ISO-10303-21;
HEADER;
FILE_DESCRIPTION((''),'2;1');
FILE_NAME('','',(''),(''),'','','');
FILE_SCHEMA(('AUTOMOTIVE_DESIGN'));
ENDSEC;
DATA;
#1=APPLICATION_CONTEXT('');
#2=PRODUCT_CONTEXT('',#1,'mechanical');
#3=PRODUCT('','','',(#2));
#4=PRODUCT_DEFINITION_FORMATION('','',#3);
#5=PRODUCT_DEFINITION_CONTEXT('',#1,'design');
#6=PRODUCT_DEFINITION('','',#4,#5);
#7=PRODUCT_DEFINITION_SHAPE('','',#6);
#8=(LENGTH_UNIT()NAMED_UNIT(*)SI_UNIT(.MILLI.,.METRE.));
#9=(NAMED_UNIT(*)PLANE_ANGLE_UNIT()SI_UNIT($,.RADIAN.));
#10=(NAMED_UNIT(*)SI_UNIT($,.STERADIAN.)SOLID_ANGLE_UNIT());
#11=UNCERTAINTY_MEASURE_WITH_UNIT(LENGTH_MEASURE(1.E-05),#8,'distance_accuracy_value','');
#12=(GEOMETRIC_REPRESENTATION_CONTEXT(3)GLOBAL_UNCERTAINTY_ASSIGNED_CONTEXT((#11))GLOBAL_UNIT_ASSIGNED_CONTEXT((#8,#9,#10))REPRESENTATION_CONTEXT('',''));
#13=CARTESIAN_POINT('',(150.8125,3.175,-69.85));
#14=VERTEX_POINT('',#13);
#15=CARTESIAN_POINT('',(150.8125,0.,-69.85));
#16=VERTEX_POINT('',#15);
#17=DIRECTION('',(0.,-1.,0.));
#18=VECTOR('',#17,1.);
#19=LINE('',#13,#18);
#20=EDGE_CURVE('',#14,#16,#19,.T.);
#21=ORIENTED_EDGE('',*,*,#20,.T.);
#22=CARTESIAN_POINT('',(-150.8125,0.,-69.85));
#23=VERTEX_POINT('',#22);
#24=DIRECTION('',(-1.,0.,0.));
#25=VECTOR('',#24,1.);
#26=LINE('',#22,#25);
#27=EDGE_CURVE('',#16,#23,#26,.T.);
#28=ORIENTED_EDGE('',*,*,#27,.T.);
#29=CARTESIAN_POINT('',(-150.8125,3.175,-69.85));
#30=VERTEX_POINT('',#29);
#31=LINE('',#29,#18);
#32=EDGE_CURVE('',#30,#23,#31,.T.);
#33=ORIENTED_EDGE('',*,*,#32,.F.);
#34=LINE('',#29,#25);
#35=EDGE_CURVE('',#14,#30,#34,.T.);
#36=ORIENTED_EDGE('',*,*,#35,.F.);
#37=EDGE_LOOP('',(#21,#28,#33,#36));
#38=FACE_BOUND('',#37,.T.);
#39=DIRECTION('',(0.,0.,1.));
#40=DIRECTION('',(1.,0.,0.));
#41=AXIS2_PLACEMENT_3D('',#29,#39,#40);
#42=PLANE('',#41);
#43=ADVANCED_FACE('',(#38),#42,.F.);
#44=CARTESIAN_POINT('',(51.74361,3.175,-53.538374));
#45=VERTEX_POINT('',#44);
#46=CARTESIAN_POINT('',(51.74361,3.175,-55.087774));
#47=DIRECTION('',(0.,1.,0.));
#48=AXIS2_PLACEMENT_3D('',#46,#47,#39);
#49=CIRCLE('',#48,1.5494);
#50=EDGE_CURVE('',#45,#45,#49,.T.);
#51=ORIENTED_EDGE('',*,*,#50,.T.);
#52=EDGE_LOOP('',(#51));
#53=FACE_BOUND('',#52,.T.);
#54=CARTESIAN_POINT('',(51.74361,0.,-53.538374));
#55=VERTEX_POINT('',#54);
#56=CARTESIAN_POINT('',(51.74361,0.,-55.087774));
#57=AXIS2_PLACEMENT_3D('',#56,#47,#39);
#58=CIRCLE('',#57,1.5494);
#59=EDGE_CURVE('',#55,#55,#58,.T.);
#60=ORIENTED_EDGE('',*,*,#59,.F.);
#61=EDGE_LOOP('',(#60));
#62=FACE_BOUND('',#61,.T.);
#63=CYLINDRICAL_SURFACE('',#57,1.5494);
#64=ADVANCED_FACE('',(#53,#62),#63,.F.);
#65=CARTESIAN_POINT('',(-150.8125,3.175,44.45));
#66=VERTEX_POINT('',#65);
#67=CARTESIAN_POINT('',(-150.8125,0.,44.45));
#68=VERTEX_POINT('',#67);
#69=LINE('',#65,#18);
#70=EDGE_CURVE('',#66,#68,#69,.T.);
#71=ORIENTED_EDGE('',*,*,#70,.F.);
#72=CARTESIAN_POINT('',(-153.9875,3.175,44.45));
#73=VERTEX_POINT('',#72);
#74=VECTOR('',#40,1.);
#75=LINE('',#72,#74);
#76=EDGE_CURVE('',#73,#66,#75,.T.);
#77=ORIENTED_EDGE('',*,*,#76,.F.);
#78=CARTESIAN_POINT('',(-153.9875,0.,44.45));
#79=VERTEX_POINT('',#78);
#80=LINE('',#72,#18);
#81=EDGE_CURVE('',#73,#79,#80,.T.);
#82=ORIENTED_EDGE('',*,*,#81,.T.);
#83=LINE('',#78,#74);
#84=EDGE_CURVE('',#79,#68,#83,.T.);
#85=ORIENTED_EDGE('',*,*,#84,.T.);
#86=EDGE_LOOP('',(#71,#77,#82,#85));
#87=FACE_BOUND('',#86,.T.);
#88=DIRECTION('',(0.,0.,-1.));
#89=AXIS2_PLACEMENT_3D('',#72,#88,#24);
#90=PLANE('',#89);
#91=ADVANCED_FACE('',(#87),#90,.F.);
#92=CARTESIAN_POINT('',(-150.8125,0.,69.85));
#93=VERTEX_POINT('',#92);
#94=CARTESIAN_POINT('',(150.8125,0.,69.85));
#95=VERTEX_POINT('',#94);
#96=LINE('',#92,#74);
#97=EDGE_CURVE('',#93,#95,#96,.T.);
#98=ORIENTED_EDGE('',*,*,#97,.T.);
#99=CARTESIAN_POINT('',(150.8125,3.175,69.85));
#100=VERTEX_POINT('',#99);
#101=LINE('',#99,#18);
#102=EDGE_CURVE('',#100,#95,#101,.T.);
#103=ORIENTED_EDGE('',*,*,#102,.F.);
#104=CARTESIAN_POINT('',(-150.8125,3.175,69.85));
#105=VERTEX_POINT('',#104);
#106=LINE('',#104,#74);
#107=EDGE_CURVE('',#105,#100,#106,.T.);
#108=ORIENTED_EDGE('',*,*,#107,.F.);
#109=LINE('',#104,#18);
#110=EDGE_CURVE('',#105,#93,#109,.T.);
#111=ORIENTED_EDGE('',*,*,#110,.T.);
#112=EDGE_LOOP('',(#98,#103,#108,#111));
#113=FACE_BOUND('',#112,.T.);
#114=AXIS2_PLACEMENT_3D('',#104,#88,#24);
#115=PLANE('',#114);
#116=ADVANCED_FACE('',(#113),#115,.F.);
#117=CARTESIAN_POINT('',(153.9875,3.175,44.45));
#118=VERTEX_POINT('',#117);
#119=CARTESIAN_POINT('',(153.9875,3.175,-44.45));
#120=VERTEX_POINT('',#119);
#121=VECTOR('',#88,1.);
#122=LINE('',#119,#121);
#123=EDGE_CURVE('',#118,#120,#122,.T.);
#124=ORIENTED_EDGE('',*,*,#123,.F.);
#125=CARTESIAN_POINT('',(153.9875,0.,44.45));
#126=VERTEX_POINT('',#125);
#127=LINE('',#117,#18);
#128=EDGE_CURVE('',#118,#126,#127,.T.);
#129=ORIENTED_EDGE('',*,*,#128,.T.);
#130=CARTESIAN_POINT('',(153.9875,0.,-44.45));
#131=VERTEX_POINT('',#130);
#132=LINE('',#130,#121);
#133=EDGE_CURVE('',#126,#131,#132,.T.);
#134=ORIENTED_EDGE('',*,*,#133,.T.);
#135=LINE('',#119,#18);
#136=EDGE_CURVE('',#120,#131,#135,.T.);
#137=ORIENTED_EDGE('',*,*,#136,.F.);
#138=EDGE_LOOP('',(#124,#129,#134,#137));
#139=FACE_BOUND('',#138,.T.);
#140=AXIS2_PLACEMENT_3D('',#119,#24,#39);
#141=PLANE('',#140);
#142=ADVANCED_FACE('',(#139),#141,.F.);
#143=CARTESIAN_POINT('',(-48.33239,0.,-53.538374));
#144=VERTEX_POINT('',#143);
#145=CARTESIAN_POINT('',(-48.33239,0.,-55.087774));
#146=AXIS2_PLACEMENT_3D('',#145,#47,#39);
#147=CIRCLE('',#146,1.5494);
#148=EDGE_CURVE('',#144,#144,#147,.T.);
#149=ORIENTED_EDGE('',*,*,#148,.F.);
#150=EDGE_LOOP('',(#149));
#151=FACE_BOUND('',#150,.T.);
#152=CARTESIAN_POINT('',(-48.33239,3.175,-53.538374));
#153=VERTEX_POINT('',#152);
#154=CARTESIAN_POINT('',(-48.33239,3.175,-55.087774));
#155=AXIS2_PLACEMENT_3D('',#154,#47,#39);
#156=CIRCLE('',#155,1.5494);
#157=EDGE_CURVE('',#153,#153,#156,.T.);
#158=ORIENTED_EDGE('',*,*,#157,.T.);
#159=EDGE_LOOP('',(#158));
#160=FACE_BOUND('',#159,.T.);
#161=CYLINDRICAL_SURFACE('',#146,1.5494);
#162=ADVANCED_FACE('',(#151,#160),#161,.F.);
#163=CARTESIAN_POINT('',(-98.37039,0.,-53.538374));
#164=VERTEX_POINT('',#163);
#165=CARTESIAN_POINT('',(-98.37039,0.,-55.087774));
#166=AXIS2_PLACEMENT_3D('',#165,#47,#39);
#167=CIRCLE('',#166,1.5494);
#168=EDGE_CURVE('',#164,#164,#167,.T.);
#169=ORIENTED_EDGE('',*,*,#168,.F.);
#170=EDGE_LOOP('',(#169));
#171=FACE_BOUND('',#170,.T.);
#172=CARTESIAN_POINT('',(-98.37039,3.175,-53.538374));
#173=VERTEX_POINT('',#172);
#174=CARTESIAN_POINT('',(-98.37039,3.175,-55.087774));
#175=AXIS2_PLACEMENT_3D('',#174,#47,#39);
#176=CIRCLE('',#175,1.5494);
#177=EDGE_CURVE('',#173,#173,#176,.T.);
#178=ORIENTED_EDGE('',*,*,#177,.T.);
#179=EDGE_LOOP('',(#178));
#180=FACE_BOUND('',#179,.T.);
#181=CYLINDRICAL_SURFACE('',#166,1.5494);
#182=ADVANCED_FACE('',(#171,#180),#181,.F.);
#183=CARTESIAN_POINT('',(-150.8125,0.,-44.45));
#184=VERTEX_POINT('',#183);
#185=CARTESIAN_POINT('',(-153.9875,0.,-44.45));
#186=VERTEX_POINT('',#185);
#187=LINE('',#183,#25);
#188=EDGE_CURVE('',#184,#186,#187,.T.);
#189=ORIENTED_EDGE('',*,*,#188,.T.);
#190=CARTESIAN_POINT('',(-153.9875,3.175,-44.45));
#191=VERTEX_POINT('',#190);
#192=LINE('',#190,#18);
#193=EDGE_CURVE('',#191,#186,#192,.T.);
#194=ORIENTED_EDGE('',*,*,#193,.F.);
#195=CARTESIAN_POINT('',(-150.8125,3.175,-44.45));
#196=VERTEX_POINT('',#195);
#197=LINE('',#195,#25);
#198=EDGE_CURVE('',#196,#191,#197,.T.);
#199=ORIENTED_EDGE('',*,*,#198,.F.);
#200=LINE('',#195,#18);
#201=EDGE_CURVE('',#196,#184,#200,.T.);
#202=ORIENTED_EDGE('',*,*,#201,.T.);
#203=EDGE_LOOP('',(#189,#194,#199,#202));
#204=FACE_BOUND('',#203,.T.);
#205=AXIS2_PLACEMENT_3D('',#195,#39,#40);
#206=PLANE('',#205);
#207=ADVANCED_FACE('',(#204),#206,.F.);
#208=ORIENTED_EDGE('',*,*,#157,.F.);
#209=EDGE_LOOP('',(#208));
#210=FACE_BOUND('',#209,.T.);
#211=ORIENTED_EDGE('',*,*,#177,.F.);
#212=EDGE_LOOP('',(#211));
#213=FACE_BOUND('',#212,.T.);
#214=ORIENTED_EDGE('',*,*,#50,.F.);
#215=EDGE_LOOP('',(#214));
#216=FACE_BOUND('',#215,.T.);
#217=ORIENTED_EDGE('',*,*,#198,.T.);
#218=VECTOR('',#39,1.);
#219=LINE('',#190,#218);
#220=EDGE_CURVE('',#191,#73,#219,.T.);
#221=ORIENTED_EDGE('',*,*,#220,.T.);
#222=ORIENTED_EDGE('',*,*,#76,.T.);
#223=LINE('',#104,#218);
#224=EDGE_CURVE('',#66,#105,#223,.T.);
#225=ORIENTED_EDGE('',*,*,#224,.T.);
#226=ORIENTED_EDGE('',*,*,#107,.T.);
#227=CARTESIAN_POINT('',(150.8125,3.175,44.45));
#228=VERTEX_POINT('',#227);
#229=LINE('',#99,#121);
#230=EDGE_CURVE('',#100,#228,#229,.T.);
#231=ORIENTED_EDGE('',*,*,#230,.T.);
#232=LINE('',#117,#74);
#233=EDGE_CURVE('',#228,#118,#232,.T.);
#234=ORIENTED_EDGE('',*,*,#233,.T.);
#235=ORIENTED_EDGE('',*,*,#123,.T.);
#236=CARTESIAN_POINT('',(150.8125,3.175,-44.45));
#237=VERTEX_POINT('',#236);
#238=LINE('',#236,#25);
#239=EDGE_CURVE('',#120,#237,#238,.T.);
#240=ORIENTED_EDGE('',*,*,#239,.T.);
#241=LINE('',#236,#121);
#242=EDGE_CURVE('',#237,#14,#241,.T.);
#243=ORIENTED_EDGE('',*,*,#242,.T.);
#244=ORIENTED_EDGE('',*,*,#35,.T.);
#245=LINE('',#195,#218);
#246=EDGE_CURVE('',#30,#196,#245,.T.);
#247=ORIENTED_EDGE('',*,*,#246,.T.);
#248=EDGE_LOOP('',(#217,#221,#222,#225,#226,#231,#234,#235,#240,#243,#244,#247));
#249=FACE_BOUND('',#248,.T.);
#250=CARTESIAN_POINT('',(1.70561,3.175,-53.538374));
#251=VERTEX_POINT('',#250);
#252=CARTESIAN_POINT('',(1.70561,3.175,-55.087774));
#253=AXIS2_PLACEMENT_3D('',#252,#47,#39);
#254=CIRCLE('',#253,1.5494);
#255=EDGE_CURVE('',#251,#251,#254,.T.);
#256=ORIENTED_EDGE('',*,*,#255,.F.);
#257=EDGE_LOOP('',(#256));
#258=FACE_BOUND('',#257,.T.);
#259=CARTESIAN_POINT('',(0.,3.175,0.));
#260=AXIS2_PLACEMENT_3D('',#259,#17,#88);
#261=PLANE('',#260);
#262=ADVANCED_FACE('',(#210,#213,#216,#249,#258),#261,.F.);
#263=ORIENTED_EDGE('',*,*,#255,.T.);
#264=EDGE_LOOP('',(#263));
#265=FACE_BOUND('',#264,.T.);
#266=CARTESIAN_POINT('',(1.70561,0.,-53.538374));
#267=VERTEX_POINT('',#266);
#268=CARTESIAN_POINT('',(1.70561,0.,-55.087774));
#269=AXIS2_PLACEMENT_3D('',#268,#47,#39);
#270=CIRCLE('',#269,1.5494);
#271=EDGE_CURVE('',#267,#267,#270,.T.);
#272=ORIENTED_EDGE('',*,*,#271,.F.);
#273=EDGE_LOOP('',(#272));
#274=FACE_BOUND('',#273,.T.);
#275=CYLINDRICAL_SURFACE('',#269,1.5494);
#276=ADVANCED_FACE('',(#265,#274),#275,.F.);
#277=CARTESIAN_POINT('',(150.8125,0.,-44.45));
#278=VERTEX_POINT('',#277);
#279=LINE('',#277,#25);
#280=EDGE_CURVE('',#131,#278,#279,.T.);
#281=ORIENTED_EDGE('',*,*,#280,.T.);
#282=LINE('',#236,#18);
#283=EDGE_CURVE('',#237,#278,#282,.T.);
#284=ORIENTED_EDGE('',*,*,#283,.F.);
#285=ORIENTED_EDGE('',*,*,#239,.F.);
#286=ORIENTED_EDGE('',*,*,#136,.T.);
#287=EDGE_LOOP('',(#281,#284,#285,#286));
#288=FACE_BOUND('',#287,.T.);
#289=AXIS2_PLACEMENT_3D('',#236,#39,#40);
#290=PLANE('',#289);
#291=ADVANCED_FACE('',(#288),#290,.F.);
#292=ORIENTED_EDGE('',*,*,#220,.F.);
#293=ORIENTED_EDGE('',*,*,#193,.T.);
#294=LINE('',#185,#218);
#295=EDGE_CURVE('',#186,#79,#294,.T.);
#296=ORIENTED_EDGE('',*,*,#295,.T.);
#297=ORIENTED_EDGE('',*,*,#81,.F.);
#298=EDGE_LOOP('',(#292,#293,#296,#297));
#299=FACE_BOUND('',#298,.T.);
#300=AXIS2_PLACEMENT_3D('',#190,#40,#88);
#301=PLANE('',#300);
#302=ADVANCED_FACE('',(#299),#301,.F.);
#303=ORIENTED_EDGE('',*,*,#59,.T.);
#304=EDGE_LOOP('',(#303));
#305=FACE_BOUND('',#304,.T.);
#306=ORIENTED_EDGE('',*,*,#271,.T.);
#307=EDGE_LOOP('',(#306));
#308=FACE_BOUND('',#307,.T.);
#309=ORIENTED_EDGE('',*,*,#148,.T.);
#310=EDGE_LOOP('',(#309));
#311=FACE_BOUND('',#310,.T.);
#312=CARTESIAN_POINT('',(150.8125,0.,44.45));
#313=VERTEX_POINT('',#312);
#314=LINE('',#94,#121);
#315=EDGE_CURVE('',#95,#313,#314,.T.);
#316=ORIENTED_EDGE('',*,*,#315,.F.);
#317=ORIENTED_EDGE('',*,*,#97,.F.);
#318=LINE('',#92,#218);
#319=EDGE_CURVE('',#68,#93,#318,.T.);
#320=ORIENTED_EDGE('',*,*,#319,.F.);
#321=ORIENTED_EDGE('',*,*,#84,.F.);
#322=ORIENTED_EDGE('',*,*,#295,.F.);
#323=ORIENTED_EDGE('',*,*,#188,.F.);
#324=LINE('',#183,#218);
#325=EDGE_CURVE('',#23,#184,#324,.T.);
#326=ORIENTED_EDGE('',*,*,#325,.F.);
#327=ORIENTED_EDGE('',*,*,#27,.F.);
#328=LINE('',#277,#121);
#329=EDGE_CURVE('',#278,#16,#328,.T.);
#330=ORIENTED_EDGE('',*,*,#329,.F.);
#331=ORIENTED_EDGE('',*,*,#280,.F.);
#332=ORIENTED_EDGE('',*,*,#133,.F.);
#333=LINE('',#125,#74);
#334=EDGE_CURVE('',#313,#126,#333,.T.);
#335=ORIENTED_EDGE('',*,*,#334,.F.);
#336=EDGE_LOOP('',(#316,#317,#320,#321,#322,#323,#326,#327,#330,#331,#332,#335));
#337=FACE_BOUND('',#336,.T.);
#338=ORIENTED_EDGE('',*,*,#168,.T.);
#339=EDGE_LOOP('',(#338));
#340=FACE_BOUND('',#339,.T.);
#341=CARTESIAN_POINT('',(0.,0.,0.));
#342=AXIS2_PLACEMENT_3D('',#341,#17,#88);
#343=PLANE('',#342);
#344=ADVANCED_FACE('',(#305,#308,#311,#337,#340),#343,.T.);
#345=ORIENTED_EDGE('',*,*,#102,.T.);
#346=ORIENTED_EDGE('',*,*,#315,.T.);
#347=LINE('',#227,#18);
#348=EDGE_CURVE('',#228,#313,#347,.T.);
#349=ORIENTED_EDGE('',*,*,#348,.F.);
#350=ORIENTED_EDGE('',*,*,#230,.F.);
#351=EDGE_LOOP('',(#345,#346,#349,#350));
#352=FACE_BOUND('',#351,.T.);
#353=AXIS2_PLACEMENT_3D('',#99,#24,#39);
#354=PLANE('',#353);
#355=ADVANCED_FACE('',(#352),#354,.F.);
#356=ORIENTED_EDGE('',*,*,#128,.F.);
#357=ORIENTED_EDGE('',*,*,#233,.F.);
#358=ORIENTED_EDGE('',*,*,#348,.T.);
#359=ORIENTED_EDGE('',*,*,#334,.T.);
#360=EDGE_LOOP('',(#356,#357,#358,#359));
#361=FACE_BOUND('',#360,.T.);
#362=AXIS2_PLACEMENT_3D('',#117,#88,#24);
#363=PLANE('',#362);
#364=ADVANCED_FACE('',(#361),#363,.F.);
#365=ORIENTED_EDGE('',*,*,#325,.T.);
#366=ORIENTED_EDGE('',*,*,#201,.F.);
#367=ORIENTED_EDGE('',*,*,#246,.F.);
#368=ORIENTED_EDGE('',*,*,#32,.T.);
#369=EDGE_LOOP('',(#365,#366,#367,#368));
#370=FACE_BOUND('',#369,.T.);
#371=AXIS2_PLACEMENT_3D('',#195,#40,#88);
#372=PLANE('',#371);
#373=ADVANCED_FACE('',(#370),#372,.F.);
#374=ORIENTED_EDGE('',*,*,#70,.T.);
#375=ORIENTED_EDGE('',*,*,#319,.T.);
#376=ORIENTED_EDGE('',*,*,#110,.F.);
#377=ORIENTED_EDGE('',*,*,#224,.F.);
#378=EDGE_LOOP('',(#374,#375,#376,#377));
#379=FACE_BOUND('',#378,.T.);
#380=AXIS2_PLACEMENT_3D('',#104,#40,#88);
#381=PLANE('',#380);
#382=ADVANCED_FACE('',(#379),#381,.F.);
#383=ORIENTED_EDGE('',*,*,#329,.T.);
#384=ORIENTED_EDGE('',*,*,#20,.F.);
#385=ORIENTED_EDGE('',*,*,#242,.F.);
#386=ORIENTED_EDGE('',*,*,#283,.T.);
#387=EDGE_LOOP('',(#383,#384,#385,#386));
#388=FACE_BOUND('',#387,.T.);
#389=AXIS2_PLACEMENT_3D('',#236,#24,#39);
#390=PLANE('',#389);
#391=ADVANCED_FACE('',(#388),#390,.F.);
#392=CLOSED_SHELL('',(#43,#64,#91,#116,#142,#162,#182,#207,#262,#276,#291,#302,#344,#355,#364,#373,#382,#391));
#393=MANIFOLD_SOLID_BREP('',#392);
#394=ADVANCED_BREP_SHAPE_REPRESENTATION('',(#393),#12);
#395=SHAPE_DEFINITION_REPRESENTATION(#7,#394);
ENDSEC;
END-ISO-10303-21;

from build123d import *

# Parameters (mm, degrees)
BOSS_EXTRUDE1_DEPTH = 3.175
SKETCH3_R           = 1.5494
CUT_EXTRUDE1_DEPTH  = 170.119050616


with BuildPart() as part:
    # Sketch1 → Boss-Extrude1 (new body)
    with BuildSketch(Plane(origin=(0, 0, 0), x_dir=(1, 0, 0), z_dir=(0, 1, 0))):
        Polygon((-150.8125, 44.45), (-153.9875, 44.45), (-153.9875, -44.45), (-150.8125, -44.45), (-150.8125, -69.85), (150.8125, -69.85), (150.8125, -44.45), (153.9875, -44.45), (153.9875, 44.45), (150.8125, 44.45), (150.8125, 69.85), (-150.8125, 69.85), align=None)
    extrude(amount=BOSS_EXTRUDE1_DEPTH)

    # Sketch3 → Cut-Extrude1 (cut, through all)
    with BuildSketch(Plane(origin=(0, 3.175, 0), x_dir=(1, 0, 0), z_dir=(0, 1, 0))):
        with Locations(Location((-98.37039, 55.087774, 0), (0, 0, 270))):
            Circle(SKETCH3_R)
        with Locations(Location((-48.33239, 55.087774, 0), (0, 0, 270))):
            Circle(SKETCH3_R)
        with Locations(Location((1.70561, 55.087774, 0), (0, 0, 270))):
            Circle(SKETCH3_R)
        with Locations(Location((51.74361, 55.087774, 0), (0, 0, 270))):
            Circle(SKETCH3_R)
    extrude(amount=-CUT_EXTRUDE1_DEPTH, mode=Mode.SUBTRACT)


solid = part.part
